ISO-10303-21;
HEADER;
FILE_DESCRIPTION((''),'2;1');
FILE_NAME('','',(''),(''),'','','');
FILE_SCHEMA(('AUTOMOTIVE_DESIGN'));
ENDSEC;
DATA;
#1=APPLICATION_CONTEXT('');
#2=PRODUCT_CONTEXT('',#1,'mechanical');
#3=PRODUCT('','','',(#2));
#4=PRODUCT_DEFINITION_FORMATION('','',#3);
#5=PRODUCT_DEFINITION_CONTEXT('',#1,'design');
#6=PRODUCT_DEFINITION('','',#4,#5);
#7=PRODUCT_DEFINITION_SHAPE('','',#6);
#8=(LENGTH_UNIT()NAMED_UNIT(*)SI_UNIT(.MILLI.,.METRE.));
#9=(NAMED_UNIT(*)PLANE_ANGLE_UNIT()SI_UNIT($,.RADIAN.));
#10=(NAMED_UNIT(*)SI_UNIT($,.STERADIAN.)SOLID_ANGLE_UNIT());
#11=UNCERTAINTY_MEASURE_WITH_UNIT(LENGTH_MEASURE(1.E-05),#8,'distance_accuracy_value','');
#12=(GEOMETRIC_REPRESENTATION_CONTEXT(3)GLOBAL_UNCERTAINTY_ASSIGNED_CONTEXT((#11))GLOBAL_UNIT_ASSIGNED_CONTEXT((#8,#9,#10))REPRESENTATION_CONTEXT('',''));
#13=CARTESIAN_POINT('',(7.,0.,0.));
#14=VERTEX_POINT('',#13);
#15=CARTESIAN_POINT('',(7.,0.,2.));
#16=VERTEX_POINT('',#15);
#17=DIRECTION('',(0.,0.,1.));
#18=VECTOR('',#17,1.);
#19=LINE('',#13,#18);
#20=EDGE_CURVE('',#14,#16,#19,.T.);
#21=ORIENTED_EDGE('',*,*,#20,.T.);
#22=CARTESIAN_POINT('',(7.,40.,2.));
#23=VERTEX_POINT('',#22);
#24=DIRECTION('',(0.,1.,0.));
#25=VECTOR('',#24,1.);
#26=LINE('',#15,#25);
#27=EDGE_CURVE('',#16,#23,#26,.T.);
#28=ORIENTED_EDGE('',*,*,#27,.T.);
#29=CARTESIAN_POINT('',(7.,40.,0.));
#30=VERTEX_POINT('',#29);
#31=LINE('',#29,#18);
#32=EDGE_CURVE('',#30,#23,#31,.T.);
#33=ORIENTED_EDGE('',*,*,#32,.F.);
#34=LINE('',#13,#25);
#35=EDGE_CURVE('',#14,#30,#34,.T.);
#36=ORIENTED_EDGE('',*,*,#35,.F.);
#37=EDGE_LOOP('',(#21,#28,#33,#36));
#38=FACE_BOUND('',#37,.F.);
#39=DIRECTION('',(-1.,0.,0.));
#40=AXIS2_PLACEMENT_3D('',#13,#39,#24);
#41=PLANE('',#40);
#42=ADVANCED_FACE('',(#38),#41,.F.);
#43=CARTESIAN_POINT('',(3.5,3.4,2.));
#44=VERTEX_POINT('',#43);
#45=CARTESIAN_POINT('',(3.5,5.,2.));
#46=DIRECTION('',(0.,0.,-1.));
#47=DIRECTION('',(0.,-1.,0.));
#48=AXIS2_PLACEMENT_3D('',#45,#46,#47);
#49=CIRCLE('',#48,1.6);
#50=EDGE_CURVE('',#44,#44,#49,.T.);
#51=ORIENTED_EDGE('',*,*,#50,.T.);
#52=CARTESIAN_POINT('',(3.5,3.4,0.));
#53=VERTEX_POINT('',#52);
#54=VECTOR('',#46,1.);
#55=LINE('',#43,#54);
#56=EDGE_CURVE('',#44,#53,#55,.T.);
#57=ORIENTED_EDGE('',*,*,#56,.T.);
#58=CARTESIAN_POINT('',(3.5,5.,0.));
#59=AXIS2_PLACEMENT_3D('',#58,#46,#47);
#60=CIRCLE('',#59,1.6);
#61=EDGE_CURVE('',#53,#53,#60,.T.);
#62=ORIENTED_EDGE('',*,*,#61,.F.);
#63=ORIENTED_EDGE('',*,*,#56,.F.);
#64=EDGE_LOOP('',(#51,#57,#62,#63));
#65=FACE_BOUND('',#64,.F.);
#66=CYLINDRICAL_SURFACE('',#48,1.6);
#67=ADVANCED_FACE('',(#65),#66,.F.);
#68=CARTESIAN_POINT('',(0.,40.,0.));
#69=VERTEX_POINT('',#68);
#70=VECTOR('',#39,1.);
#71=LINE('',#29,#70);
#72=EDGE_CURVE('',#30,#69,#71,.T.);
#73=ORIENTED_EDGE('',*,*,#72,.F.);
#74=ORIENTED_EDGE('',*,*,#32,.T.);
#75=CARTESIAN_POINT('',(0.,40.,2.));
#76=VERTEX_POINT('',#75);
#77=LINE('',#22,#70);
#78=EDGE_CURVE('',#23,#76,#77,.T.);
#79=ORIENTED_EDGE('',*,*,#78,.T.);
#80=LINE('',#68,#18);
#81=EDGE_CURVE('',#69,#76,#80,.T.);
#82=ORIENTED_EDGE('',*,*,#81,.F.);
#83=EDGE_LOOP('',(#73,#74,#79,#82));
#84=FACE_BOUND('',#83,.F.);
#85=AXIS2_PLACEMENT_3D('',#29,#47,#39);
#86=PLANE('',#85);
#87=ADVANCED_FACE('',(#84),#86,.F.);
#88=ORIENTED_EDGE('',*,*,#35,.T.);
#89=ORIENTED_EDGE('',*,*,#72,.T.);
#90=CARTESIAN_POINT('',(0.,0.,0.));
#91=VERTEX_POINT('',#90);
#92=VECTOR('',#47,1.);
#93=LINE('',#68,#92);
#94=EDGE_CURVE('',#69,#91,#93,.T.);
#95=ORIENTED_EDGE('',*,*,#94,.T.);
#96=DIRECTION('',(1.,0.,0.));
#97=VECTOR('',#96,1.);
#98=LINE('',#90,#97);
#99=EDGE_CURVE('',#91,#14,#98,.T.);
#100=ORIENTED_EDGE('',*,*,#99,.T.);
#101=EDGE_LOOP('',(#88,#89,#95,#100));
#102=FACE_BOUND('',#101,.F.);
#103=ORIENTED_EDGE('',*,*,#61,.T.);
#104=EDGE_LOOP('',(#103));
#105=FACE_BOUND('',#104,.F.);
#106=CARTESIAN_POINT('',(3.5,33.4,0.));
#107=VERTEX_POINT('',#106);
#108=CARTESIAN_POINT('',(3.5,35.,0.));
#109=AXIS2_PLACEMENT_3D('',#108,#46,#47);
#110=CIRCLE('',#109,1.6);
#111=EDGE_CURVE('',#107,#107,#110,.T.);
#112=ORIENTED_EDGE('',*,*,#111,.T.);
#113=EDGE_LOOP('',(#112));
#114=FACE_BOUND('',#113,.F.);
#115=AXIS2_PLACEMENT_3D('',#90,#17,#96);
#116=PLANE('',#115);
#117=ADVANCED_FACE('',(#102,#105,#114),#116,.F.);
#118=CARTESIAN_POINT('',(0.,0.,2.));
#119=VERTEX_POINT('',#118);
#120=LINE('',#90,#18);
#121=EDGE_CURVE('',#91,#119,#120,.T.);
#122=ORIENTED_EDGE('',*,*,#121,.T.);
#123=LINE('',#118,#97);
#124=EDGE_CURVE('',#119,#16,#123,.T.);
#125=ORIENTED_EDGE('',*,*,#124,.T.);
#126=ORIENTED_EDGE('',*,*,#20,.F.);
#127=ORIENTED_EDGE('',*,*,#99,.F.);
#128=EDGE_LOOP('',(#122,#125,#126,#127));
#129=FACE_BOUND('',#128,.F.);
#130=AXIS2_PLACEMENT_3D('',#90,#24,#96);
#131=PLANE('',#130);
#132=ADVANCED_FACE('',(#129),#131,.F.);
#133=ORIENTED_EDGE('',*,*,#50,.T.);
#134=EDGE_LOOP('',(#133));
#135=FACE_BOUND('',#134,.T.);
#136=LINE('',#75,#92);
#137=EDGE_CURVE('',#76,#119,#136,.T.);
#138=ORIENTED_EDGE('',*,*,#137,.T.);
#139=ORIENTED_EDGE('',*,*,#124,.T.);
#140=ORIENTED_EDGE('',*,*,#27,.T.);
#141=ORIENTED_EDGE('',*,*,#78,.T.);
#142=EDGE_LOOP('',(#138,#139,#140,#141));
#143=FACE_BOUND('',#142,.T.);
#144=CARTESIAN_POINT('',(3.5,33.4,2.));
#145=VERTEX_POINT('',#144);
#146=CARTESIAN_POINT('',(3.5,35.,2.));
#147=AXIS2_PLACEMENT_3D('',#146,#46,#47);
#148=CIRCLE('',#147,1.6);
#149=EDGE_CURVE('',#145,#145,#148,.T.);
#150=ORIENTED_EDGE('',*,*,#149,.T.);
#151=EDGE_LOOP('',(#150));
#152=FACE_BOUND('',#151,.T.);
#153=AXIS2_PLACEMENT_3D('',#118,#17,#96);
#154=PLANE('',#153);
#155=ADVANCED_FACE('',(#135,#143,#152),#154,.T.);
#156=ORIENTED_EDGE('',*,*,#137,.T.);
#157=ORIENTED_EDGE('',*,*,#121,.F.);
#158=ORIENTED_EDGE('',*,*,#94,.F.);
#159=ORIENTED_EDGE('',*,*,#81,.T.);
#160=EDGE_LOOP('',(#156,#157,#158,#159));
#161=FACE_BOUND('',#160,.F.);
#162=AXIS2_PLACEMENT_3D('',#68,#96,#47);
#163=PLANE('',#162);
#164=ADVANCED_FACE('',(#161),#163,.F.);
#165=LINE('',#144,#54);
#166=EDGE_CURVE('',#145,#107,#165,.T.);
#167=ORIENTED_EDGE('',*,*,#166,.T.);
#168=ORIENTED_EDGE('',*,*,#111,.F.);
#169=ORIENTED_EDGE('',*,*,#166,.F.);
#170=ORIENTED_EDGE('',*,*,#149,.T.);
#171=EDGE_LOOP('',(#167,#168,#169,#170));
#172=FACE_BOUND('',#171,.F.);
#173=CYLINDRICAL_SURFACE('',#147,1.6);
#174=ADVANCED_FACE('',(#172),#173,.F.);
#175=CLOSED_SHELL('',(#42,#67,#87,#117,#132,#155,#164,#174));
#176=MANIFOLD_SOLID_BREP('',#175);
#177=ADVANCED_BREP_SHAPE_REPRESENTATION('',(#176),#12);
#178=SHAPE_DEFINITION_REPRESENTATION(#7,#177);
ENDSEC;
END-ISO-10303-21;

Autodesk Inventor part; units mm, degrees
ref_plane "YZ Plane" through (0, 0, 0) normal (1, 0, 0) x (0, 1, 0)
ref_plane "XZ Plane" through (0, 0, 0) normal (0, 1, 0) x (-1, 0, 0)
ref_plane "XY Plane" through (0, 0, 0) normal (0, 0, 1) x (1, 0, 0)
sketch "スケッチ1" plane through (0, 0, 0) normal (0, 0, 1) x (1, 0, 0)
  line L0 (0, 0) -> (7, 0)
  line L1 (7, 0) -> (7, 40)
  line L2 (7, 40) -> (0, 40)
  line L3 (0, 40) -> (0, 0)
  dimension "d0" = 7
  dimension "d1" = 40
extrude "押し出し1" add sketch "スケッチ1" along normal blind 2
sketch "スケッチ2" plane through (0, 0, 2) normal (0, 0, 1) x (1, 0, 0)
  line L0 (7, 0) -> (7, 40) projected
  line L1 (7, 40) -> (0, 40) projected
  line L2 (0, 0) -> (7, 0) projected
  point P0 (3.5, 35)
  point P1 (3.5, 5)
  dimension "d4" = 3.5
  dimension "d5" = 5
  dimension "d6" = 3.5
  dimension "d7" = 5
hole "穴1" at (3.5, 35, 2) at (3.5, 5, 2) direction (0, 0, -1) diameter 3.2 end through all
sketch "スケッチ3" plane through (0, 0, 2) normal (0, 0, 1) x (1, 0, 0)
  point P0 (0, 0)
properties part number "リンク40×7×2"
